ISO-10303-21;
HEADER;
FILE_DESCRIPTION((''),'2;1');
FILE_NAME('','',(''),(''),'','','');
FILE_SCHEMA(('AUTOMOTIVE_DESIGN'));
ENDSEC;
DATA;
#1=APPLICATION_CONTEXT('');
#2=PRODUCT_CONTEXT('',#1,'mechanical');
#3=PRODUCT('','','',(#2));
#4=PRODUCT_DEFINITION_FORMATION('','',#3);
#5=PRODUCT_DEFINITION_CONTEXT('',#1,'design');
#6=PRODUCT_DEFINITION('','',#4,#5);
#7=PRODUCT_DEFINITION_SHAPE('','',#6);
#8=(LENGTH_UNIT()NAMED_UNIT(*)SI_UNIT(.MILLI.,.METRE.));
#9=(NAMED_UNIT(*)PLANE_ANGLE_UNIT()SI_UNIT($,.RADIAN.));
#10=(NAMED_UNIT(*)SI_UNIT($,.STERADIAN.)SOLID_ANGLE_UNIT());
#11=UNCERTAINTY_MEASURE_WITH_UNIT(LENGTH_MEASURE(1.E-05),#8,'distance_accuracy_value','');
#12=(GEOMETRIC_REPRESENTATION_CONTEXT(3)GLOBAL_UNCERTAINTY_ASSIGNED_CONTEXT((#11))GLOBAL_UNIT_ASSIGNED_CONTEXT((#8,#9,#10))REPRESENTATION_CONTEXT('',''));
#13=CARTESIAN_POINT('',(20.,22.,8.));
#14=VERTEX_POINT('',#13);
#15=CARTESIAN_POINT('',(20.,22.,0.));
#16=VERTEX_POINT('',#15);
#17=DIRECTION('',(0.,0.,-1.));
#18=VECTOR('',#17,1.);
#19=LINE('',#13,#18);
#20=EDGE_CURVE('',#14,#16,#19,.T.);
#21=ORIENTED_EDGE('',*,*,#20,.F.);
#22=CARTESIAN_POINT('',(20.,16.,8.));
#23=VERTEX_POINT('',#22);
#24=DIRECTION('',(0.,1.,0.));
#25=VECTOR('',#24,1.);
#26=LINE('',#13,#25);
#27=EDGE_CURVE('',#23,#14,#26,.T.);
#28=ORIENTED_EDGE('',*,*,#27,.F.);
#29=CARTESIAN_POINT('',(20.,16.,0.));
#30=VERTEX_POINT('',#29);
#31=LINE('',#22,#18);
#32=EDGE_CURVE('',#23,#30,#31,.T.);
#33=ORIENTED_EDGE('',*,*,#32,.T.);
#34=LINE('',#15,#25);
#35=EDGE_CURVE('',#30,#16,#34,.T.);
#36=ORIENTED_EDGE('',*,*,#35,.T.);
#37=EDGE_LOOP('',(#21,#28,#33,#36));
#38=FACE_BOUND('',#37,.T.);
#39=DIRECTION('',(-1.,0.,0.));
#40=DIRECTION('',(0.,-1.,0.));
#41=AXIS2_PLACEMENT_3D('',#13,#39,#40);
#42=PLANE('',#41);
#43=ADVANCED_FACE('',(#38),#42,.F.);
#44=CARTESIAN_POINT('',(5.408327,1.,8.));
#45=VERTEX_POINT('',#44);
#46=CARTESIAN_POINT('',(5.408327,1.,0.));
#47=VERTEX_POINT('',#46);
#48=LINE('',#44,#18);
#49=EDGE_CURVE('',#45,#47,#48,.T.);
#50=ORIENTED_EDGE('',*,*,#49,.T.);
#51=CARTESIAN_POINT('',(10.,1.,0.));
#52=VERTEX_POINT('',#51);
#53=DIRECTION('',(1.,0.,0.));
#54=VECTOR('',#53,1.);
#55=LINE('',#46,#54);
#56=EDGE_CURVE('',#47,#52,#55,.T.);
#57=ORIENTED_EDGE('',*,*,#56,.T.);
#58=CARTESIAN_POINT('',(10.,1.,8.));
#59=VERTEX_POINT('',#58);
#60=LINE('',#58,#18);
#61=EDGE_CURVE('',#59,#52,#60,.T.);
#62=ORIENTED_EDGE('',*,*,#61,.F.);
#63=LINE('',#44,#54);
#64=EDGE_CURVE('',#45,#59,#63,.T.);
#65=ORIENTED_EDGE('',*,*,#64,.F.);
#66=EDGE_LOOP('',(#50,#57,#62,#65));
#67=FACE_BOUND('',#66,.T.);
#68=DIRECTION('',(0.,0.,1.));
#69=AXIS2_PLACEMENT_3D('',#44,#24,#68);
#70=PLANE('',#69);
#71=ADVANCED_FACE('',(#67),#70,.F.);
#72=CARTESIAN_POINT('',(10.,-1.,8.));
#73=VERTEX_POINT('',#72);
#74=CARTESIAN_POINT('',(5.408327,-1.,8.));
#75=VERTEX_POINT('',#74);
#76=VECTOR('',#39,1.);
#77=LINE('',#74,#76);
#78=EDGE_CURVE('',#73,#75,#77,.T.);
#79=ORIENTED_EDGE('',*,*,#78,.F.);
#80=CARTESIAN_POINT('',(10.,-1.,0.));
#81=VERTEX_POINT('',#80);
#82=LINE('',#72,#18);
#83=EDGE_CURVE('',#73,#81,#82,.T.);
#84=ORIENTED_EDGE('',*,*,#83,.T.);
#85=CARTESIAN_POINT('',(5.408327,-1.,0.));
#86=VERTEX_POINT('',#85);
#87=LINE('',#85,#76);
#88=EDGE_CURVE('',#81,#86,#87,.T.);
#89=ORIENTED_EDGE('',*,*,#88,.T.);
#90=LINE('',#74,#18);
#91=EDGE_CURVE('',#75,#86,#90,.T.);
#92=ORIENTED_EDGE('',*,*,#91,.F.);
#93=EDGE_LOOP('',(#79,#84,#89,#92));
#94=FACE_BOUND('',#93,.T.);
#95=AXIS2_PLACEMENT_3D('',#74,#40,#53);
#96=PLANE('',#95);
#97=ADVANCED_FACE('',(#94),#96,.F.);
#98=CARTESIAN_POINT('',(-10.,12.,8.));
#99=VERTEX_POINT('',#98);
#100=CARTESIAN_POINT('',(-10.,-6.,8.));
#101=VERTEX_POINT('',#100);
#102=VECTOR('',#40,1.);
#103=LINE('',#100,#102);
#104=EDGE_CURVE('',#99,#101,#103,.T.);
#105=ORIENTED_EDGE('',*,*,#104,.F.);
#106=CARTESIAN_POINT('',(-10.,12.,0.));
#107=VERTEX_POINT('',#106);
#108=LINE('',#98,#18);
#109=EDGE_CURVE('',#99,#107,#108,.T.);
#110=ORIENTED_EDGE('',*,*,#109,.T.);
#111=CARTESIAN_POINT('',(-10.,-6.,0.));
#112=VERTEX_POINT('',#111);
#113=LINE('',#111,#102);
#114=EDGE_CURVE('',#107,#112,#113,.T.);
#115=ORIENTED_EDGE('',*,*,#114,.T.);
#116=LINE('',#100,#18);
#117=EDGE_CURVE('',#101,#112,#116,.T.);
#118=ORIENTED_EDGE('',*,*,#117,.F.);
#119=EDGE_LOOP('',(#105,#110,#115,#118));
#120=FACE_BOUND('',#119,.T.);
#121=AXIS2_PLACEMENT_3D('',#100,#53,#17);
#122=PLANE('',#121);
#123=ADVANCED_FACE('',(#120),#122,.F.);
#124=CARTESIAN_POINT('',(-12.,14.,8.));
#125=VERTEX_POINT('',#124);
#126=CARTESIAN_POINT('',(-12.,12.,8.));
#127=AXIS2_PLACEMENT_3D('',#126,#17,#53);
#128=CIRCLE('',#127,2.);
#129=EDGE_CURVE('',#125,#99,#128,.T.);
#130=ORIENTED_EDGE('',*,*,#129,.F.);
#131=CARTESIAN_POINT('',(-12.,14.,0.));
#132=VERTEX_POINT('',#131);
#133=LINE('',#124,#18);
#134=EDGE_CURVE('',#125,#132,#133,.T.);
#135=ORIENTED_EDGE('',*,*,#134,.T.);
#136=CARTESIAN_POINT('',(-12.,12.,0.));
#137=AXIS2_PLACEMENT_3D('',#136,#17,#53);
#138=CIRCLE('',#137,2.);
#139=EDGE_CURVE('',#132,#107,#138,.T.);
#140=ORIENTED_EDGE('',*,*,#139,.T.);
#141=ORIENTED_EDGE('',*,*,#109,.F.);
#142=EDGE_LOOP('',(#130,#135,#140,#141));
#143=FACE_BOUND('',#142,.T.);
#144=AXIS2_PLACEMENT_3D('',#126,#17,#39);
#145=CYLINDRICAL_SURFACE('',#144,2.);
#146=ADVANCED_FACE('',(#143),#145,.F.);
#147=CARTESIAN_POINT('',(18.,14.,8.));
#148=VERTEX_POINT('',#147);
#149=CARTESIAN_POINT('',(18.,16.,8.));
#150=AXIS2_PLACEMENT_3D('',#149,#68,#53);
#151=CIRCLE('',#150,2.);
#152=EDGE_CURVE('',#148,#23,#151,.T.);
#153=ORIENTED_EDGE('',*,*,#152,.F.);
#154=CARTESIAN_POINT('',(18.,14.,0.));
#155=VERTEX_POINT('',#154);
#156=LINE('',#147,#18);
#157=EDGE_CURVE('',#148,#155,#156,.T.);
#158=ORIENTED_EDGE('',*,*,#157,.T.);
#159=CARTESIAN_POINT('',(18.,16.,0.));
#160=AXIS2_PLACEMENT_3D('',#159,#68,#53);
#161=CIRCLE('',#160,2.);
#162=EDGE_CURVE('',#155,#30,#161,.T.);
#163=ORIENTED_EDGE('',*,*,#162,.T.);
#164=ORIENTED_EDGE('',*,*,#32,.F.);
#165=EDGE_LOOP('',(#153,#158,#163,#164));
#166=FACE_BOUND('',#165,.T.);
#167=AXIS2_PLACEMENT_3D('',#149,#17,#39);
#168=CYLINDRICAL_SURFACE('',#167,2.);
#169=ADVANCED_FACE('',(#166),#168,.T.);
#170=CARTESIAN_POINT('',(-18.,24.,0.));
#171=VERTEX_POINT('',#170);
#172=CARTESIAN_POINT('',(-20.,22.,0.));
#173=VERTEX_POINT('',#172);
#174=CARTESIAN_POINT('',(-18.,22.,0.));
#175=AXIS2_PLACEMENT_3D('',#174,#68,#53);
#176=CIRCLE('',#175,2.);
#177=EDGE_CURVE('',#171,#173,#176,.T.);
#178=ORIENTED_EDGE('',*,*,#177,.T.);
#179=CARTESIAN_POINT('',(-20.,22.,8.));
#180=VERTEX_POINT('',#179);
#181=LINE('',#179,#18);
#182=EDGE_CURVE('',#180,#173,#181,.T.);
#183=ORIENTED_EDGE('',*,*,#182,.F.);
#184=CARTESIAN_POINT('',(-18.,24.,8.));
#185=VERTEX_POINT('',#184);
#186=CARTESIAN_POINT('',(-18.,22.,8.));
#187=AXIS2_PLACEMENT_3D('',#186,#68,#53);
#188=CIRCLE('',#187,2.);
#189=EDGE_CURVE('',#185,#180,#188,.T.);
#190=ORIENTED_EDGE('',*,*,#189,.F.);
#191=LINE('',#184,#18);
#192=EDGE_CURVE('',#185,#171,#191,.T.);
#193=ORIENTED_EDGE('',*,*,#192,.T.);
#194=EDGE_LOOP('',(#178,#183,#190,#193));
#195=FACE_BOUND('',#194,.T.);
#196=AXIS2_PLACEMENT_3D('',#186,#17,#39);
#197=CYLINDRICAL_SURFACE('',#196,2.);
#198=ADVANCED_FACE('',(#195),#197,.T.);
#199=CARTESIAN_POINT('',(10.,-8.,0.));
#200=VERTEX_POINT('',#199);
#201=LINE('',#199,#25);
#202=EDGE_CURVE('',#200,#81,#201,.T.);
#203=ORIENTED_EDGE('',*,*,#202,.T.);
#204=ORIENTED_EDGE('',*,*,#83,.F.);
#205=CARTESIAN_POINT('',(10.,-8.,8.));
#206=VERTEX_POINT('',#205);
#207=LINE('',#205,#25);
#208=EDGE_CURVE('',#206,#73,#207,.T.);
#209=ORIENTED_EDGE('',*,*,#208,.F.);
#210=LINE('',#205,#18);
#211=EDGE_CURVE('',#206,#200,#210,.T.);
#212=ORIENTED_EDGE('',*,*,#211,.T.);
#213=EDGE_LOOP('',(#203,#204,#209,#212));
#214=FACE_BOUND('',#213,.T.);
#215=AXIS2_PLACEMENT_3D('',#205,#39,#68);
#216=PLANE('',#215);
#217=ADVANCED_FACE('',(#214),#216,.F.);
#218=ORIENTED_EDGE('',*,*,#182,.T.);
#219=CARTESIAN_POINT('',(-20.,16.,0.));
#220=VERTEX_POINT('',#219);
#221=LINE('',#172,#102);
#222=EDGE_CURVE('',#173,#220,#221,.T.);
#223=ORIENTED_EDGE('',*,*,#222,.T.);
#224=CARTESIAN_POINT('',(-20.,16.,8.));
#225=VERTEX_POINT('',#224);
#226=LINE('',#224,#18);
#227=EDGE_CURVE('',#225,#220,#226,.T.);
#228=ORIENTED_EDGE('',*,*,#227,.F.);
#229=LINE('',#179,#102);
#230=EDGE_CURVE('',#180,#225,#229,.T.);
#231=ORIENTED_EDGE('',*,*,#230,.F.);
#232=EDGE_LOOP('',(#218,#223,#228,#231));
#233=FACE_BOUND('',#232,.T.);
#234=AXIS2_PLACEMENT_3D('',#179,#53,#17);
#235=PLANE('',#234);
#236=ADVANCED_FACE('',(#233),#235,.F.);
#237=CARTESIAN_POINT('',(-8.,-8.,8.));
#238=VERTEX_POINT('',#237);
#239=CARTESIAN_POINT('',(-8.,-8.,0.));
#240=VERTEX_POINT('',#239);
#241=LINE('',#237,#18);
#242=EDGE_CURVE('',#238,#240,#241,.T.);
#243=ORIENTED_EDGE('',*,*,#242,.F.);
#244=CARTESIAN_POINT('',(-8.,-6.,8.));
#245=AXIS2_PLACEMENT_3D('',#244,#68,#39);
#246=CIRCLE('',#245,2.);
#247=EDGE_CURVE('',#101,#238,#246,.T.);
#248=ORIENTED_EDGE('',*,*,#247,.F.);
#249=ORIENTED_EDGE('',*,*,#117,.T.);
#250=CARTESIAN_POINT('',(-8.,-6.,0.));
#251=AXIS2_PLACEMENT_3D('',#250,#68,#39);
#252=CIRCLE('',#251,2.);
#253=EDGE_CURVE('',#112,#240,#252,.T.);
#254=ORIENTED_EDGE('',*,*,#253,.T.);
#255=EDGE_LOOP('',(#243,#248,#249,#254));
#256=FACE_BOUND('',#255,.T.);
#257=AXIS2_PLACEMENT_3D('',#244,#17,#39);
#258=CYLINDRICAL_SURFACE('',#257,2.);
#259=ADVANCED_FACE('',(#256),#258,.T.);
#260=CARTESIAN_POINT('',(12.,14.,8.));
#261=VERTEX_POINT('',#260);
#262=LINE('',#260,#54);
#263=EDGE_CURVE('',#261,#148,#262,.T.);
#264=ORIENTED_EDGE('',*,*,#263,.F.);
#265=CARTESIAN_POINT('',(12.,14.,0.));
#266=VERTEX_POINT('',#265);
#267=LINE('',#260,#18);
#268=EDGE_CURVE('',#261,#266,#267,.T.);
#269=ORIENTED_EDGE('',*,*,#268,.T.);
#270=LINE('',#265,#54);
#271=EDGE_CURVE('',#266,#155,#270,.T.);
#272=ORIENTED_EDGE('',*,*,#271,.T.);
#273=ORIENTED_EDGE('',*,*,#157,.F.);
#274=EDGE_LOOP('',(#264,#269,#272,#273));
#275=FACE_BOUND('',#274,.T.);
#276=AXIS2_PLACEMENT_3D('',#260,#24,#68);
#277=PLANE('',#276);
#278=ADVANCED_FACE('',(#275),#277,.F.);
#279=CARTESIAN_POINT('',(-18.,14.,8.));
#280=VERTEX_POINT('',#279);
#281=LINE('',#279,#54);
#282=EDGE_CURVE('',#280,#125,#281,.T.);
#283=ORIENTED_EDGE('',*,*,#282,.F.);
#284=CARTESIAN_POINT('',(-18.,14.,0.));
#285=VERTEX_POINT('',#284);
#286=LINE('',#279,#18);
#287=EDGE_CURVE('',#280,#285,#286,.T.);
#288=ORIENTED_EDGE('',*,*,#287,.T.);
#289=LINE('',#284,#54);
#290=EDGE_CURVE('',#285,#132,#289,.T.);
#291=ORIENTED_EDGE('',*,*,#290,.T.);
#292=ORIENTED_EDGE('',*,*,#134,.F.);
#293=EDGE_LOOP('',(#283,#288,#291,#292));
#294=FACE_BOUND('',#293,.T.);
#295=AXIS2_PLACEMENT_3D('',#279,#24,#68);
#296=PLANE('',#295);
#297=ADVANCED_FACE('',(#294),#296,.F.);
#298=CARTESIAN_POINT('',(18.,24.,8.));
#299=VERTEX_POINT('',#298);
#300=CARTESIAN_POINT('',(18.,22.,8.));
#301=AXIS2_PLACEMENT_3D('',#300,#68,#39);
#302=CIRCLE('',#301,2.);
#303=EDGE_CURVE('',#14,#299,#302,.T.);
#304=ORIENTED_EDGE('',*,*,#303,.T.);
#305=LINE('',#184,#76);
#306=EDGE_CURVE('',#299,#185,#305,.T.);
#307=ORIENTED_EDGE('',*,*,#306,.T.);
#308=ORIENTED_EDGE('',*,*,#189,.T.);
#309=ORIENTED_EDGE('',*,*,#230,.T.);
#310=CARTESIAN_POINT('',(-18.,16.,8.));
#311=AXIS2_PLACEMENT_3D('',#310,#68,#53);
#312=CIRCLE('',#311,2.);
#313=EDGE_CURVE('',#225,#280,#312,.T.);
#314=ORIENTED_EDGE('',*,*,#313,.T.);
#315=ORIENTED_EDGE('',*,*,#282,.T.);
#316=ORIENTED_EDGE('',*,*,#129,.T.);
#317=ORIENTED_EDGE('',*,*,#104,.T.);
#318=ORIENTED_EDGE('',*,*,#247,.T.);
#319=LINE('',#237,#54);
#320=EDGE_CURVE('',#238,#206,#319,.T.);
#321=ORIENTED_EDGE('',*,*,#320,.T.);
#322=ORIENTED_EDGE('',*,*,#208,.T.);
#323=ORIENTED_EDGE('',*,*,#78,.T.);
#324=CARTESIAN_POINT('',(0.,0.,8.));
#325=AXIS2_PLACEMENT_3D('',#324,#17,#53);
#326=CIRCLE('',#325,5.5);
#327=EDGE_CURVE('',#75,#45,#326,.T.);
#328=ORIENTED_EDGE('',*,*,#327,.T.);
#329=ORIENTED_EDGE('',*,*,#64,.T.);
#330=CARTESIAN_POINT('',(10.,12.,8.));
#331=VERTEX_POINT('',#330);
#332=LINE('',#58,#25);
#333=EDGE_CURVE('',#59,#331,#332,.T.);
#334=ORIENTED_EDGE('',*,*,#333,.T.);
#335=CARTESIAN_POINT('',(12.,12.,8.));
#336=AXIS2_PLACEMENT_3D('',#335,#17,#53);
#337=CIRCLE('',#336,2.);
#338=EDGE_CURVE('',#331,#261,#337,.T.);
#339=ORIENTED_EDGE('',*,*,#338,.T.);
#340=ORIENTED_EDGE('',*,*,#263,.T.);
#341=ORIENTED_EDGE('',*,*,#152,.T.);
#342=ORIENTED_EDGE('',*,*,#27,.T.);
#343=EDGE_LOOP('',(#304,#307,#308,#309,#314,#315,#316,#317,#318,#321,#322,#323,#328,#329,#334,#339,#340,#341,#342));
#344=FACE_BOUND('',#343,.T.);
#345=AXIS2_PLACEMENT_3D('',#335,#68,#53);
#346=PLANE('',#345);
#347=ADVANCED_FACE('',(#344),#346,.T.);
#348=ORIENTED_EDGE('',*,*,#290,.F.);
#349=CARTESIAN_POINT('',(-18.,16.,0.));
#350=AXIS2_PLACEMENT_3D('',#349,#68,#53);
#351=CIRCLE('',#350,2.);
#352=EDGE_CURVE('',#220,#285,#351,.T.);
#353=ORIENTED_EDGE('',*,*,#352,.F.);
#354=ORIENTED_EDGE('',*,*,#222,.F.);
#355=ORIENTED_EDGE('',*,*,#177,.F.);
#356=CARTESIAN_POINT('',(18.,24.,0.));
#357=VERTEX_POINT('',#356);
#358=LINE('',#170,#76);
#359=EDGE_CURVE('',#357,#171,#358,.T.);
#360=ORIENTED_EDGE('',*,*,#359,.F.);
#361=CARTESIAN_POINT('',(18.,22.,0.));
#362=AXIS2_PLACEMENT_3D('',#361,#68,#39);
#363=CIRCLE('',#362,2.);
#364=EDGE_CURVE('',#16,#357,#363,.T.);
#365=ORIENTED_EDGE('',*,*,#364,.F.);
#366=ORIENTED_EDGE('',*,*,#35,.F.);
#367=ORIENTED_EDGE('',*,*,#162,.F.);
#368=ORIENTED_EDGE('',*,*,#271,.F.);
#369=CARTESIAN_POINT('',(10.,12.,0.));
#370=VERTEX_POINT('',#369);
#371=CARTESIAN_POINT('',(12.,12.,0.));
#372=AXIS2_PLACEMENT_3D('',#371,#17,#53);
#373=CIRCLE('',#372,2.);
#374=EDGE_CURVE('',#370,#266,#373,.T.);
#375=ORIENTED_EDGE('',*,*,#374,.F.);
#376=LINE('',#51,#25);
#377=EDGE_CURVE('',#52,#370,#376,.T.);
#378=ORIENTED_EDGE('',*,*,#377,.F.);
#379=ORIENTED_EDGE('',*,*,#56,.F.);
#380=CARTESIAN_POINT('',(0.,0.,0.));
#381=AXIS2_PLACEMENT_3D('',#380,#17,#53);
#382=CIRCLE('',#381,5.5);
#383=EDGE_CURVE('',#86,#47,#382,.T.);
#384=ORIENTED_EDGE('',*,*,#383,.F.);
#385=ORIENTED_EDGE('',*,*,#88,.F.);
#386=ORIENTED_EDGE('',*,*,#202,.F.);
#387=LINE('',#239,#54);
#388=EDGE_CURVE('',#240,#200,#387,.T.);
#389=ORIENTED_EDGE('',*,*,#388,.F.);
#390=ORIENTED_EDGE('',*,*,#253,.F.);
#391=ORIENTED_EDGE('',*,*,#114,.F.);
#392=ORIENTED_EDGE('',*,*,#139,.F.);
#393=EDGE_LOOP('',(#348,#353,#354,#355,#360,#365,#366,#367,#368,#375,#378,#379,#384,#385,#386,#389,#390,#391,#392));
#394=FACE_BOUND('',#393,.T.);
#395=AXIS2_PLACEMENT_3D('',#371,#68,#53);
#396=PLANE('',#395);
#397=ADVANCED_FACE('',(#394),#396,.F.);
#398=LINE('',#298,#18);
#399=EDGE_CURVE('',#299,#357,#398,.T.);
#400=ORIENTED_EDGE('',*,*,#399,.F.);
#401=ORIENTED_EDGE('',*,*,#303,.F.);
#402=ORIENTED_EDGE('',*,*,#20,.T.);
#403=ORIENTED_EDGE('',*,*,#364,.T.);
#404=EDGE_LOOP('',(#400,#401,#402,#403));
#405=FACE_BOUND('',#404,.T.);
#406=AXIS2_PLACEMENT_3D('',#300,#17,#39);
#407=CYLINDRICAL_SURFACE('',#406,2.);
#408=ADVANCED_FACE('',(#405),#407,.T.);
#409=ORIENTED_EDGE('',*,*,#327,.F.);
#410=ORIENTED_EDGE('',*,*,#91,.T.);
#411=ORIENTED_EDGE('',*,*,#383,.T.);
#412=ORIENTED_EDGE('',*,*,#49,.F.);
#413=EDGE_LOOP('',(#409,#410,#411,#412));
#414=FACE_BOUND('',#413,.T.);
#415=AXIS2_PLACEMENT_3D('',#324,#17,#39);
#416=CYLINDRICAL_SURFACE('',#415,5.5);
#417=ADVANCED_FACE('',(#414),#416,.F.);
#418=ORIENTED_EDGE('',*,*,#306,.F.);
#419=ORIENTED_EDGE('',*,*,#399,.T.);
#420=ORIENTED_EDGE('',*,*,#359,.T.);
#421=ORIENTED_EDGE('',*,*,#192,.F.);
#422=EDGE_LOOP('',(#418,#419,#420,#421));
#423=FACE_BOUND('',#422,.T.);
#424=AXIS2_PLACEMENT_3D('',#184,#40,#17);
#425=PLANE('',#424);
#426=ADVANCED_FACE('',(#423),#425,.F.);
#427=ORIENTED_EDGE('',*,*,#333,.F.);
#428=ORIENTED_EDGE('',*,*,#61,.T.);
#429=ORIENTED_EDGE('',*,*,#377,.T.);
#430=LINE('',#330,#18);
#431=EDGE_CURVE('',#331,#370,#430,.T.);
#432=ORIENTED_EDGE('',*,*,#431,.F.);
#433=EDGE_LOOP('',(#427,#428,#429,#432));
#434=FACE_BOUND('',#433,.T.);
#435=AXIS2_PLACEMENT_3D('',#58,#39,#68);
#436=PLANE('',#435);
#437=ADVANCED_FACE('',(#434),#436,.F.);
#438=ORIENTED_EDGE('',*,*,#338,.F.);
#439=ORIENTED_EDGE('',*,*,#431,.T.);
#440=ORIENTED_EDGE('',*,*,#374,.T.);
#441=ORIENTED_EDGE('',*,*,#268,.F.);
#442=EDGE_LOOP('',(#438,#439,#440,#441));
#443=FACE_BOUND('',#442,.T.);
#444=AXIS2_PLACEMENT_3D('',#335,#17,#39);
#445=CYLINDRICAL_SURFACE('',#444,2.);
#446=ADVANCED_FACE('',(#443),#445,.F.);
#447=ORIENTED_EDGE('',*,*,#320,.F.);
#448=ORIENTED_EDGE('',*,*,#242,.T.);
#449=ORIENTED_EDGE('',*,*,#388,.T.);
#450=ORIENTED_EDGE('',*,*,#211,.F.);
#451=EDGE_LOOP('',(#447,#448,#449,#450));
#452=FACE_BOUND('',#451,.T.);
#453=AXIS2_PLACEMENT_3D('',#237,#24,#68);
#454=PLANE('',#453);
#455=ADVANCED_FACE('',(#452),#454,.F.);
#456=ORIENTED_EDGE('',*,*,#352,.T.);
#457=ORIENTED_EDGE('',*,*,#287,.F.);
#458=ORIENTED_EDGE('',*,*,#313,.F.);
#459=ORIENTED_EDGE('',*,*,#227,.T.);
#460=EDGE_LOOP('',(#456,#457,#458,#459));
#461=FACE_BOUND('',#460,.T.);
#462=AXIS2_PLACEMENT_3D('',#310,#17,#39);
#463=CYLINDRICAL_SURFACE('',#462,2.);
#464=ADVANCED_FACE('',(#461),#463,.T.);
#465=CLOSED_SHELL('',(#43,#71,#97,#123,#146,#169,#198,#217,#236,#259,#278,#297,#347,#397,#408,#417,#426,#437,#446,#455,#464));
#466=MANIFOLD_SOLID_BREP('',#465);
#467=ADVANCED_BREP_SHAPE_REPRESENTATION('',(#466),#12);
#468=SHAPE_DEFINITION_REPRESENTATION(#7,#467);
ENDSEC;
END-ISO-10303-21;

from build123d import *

# Parameters (mm, degrees)
BOSS_EXTRUDE1_DEPTH = 8


with BuildPart() as part:
    # Sketch1 → Boss-Extrude1 (new body)
    with BuildSketch(Plane.XY):
        with BuildLine():
            Line((12, 14), (18, 14))
            ThreePointArc((18, 14), (19.414213562, 14.585786438), (20, 16))
            Line((20, 16), (20, 22))
            ThreePointArc((20, 22), (19.414213562, 23.414213562), (18, 24))
            Line((18, 24), (-18, 24))
            ThreePointArc((-18, 24), (-19.414213562, 23.414213562), (-20, 22))
            Line((-20, 22), (-20, 16))
            ThreePointArc((-20, 16), (-19.414213562, 14.585786438), (-18, 14))
            Line((-18, 14), (-12, 14))
            ThreePointArc((-12, 14), (-10.585786438, 13.414213562), (-10, 12))
            Line((-10, 12), (-10, -6))
            ThreePointArc((-10, -6), (-9.414213562, -7.414213562), (-8, -8))
            Line((-8, -8), (10, -8))
            Line((10, -8), (10, -1))
            Line((10, -1), (5.408326913, -1))
            ThreePointArc((5.408326913, -1), (-5.5, 0), (5.408326913, 1))
            Line((5.408326913, 1), (10, 1))
            Line((10, 1), (10, 12))
            ThreePointArc((10, 12), (10.585786438, 13.414213562), (12, 14))
        make_face()
    extrude(amount=BOSS_EXTRUDE1_DEPTH)


solid = part.part
